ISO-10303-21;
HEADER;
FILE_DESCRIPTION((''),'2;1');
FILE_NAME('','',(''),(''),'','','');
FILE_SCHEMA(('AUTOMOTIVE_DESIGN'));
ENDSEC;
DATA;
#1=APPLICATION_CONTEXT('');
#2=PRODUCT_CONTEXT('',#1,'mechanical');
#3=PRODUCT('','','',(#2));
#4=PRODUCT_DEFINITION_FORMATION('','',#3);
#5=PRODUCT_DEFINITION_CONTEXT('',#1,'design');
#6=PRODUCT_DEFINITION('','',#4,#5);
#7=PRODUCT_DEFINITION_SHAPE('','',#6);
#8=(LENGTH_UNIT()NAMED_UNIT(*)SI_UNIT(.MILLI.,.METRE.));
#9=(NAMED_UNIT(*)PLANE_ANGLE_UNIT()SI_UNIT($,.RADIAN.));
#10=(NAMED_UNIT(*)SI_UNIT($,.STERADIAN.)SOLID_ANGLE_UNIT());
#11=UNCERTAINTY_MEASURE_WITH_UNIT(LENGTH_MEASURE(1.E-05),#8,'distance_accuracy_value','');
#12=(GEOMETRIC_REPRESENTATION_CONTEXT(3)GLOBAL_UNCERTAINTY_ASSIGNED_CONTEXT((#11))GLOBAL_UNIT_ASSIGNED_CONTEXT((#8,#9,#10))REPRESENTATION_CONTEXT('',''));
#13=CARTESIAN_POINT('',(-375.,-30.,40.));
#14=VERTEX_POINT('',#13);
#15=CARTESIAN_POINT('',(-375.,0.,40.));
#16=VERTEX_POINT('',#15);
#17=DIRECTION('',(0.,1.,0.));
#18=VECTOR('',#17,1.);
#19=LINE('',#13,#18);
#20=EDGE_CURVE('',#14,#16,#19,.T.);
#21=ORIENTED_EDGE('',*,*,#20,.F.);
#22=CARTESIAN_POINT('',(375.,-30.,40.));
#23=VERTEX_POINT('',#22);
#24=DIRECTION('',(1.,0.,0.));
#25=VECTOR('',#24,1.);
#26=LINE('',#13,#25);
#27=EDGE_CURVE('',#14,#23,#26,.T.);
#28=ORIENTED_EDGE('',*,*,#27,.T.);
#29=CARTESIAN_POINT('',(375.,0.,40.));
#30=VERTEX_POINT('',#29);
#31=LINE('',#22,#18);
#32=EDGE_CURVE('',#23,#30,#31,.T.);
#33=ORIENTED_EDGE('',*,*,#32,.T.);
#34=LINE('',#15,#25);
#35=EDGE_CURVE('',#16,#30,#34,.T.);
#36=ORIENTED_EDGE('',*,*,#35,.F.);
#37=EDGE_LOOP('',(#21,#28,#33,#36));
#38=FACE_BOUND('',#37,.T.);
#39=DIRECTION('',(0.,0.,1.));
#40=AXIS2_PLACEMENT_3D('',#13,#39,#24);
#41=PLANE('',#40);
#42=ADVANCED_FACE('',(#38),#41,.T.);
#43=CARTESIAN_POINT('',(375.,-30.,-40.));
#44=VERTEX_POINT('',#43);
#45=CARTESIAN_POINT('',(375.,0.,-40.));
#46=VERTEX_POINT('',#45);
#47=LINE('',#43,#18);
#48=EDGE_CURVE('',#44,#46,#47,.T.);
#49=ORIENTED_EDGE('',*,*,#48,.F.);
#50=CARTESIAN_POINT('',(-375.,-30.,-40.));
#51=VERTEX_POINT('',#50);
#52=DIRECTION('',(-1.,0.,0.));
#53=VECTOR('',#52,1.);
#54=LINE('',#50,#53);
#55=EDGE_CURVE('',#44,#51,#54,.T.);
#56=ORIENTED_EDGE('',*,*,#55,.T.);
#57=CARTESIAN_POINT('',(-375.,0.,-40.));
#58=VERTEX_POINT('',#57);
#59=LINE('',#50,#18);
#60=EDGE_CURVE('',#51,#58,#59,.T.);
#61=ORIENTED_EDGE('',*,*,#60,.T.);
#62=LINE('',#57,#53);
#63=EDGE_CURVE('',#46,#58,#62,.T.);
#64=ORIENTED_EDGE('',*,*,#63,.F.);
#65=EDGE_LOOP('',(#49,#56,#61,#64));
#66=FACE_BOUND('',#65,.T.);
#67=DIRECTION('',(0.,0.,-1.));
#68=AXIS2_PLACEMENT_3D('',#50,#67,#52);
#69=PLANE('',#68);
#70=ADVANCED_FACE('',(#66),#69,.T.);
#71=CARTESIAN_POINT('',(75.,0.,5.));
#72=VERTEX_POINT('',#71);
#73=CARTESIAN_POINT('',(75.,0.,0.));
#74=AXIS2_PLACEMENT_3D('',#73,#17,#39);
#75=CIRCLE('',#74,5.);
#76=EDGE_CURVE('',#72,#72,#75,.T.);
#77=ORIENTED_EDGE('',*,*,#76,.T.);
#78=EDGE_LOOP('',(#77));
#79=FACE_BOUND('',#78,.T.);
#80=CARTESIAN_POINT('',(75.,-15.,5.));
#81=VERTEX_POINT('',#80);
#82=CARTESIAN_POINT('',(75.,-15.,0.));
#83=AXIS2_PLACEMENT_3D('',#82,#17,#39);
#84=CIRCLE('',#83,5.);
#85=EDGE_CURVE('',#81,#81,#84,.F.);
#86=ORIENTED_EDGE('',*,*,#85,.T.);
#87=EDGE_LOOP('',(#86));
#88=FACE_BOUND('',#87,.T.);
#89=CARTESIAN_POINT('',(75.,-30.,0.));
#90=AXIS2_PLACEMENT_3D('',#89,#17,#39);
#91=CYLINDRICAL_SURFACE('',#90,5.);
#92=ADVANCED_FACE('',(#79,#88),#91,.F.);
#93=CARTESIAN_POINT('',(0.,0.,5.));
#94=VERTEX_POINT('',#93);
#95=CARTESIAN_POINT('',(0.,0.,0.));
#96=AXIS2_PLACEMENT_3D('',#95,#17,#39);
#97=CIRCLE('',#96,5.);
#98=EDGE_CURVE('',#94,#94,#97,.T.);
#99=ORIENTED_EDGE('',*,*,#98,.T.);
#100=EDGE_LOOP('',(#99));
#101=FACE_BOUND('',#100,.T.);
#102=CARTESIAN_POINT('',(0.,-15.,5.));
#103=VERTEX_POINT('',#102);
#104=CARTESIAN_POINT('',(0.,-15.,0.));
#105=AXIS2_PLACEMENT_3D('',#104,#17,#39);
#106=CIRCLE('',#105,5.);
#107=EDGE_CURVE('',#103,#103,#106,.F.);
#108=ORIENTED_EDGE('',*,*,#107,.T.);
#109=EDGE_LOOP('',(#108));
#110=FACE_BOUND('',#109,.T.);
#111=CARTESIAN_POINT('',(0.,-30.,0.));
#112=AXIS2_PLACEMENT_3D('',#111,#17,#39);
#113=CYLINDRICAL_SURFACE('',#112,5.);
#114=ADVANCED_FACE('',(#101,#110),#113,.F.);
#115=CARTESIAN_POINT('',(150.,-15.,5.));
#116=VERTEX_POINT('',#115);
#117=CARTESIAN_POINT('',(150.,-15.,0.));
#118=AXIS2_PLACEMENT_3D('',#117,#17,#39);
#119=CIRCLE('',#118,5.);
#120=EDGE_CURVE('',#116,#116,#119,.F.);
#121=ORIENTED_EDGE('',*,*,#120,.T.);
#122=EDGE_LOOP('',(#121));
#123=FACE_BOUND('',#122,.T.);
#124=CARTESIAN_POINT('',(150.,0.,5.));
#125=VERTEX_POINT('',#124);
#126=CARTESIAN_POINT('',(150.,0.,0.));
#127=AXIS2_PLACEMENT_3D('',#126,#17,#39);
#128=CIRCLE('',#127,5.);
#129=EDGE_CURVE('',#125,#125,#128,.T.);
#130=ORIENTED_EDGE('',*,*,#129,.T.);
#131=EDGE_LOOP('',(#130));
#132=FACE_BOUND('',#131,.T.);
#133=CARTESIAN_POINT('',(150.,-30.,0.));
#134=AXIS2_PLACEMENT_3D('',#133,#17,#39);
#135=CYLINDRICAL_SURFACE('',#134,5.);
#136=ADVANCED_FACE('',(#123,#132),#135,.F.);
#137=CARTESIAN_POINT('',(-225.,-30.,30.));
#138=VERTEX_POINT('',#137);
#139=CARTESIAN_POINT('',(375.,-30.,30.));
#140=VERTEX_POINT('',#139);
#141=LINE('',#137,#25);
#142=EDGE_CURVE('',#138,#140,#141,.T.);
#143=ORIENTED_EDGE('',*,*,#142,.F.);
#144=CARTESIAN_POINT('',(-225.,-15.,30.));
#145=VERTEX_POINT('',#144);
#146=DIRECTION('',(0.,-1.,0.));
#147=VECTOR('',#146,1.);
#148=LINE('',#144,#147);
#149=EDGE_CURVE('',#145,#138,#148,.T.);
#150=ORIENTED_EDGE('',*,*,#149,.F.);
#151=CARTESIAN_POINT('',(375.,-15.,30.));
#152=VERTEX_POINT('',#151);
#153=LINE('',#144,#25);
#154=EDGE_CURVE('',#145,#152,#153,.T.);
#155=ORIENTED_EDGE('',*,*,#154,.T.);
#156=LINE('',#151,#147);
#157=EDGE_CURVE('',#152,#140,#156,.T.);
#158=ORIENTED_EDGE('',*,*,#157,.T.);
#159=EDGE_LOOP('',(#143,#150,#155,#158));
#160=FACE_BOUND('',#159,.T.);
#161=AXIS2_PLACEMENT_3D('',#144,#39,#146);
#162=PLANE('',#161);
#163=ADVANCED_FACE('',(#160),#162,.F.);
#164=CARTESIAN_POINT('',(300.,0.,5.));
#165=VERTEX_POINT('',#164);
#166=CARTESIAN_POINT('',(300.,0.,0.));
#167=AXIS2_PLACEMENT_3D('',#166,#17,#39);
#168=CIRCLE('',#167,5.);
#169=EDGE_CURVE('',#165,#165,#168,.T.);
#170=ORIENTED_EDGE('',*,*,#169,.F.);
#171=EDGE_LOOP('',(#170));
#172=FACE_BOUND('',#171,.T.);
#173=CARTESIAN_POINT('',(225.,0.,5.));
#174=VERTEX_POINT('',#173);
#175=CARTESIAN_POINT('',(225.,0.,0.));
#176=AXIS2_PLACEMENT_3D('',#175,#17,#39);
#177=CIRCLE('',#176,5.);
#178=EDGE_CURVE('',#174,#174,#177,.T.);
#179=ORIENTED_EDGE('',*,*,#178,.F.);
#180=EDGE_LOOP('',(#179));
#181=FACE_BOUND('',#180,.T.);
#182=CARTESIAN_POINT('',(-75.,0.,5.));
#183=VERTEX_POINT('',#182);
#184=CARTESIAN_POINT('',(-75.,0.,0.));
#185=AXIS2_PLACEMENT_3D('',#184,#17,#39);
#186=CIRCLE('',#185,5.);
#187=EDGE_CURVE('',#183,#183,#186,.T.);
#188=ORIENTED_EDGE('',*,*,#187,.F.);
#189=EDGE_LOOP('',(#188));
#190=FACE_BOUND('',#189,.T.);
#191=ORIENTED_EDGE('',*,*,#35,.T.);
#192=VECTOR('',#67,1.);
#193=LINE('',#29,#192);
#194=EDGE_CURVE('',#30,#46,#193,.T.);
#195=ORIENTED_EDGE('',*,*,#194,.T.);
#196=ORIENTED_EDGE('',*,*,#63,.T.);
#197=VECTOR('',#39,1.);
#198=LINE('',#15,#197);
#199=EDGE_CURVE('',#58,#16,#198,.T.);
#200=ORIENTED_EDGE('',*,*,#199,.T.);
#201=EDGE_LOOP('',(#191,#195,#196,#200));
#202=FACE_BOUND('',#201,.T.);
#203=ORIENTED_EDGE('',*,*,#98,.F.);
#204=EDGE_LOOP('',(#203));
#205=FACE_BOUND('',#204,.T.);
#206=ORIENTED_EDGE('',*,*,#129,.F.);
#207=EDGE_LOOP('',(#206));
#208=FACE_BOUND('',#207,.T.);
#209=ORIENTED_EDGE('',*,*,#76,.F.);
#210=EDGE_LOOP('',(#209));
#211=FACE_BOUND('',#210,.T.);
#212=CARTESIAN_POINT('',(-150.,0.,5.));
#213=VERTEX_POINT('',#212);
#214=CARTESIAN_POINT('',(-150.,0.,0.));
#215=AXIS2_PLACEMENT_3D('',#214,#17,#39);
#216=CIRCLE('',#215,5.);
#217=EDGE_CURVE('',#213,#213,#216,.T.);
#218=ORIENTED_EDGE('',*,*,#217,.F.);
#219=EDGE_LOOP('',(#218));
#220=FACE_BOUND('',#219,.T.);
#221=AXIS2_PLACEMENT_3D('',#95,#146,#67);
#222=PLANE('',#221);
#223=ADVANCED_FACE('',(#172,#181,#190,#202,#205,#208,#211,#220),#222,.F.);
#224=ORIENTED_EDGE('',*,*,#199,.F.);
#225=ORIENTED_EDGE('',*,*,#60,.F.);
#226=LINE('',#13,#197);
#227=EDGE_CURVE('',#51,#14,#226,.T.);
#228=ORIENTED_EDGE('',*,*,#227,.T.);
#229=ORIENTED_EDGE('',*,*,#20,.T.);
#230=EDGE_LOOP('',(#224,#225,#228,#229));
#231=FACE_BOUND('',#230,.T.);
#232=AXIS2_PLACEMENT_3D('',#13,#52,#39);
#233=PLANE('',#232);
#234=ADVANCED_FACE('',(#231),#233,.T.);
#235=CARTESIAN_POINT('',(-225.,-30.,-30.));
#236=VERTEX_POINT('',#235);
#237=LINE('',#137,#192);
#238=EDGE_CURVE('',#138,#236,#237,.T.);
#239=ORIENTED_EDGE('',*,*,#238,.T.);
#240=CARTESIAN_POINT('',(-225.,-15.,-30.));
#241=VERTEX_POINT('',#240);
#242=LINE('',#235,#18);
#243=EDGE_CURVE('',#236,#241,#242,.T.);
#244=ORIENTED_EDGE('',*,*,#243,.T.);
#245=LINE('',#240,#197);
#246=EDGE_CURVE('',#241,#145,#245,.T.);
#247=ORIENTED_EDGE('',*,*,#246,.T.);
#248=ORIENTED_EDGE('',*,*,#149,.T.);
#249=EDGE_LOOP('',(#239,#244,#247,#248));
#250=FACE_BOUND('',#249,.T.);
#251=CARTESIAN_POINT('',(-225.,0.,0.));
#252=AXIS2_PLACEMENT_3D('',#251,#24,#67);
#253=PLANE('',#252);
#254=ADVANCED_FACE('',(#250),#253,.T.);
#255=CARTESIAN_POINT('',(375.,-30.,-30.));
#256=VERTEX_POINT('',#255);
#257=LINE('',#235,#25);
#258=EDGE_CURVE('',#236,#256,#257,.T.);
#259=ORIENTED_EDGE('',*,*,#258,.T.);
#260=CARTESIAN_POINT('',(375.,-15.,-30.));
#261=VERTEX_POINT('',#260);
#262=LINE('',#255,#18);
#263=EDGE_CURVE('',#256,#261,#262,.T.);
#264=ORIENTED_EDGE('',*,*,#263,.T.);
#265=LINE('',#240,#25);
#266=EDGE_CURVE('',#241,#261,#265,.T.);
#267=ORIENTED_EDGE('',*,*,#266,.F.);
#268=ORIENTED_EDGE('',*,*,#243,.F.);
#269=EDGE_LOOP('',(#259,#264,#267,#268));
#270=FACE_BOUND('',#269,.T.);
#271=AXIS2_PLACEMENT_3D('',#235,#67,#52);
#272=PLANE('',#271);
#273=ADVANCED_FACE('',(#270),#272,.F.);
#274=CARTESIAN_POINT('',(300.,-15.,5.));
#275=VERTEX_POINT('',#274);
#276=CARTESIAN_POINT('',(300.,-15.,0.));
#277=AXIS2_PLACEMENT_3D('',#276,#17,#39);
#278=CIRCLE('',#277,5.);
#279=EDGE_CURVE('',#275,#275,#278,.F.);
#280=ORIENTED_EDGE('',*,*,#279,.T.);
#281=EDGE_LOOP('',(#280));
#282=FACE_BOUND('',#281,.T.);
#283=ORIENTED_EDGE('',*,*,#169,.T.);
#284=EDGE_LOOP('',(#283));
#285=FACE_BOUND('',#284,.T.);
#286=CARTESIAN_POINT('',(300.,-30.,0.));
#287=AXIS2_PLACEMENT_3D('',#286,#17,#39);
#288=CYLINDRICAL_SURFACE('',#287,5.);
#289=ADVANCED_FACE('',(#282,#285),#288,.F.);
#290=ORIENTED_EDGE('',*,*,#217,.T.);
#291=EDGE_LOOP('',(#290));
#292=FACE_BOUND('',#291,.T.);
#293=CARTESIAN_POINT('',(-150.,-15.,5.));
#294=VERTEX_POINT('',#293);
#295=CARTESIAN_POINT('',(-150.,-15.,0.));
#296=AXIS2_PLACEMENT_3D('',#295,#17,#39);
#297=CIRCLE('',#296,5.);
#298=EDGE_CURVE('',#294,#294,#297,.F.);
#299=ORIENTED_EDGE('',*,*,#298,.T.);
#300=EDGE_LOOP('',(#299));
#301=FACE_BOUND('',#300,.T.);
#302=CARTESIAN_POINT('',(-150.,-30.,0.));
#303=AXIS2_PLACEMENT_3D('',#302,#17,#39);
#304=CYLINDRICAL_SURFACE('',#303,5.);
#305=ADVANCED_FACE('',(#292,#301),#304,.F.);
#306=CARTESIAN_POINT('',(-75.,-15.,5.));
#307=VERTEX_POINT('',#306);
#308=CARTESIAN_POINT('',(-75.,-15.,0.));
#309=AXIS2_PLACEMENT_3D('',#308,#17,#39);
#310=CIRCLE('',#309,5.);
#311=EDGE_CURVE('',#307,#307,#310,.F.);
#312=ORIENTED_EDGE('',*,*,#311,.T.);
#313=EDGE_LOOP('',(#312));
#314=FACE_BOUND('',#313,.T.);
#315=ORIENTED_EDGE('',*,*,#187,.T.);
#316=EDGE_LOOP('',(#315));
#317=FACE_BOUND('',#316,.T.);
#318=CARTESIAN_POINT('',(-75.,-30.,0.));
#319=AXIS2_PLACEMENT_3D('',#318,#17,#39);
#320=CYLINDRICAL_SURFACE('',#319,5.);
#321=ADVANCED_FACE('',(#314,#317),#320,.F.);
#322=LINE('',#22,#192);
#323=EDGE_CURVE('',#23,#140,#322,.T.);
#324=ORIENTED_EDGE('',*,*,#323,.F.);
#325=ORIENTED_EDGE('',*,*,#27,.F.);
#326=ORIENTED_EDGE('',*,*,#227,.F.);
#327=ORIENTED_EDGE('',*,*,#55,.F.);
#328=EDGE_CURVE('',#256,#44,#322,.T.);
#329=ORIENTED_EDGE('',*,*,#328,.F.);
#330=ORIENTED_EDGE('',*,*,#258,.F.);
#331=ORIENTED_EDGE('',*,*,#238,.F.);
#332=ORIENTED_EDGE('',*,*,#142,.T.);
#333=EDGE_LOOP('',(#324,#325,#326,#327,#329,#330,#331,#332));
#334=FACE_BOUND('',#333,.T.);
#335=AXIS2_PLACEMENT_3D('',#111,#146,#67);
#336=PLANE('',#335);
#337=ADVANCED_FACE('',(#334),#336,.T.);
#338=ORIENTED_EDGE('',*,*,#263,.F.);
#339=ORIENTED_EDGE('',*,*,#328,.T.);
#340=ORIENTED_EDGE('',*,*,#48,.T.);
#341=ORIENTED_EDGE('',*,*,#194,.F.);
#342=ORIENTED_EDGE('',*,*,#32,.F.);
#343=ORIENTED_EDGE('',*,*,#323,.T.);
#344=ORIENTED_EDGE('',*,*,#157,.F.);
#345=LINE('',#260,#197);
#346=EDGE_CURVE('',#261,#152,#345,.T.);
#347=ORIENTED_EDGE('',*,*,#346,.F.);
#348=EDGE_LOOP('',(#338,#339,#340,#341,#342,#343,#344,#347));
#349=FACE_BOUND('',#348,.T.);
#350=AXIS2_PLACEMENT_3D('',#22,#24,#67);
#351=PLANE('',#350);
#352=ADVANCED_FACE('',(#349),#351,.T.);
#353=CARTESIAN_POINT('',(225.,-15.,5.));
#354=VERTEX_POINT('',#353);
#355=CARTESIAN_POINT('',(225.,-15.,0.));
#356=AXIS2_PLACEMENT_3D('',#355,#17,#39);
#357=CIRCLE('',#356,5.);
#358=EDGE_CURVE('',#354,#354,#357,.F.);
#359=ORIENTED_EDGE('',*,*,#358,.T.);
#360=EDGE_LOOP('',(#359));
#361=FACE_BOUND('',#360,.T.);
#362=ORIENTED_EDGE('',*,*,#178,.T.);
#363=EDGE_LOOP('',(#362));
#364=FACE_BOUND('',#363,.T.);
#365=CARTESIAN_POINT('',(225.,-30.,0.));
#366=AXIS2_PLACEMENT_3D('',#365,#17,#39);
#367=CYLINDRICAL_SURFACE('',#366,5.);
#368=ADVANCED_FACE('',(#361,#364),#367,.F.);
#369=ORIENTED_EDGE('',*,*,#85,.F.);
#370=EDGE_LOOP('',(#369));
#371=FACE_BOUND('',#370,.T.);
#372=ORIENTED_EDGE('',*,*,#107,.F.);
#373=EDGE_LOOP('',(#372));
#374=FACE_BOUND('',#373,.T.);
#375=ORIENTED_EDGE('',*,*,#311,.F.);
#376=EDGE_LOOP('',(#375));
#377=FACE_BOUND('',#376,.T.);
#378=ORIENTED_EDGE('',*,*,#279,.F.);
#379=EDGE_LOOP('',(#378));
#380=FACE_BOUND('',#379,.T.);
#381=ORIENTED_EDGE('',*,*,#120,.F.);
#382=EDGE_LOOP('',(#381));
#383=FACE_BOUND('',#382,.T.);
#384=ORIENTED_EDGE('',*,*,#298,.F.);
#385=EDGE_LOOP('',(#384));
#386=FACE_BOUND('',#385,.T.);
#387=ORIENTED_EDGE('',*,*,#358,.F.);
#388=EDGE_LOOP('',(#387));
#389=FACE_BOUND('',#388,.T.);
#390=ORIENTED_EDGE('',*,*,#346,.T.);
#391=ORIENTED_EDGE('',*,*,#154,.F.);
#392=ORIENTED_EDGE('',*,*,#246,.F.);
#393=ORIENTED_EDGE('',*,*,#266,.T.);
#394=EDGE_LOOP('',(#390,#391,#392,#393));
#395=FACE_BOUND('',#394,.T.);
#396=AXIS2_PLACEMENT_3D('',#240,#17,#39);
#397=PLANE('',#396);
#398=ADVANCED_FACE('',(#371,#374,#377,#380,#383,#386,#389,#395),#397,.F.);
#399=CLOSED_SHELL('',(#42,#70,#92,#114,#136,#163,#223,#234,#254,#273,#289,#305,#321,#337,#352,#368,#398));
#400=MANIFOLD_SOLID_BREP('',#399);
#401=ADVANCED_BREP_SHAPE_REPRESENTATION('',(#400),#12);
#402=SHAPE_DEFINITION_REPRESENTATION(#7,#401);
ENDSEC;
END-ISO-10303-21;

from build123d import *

# Parameters (mm, degrees)
IZIM2_W                     = 750
IZIM2_H                     = 80
IZIM2_R                     = 5
Y_KSEKLIK_EKSTR_ZYON1_DEPTH = 30
IZIM3_W                     = 60
IZIM3_H                     = 15
KES_EKSTR_ZYON1_DEPTH       = 600


with BuildPart() as part:
    # Çizim2 → Yükseklik-Ekstrüzyon1 (new body)
    with BuildSketch(Plane(origin=(0, 0, 0), x_dir=(1, 0, 0), z_dir=(0, 1, 0))):
        Rectangle(IZIM2_W, IZIM2_H)
        with Locations((300, 0)):
            Circle(IZIM2_R, mode=Mode.SUBTRACT)
        with Locations((225, 0)):
            Circle(IZIM2_R, mode=Mode.SUBTRACT)
        with Locations((150, 0)):
            Circle(IZIM2_R, mode=Mode.SUBTRACT)
        with Locations((75, 0)):
            Circle(IZIM2_R, mode=Mode.SUBTRACT)
        Circle(IZIM2_R, mode=Mode.SUBTRACT)
        with Locations((-75, 0)):
            Circle(IZIM2_R, mode=Mode.SUBTRACT)
        with Locations((-150, 0)):
            Circle(IZIM2_R, mode=Mode.SUBTRACT)
    extrude(amount=-Y_KSEKLIK_EKSTR_ZYON1_DEPTH)

    # Çizim3 → Kes-Ekstrüzyon1 (cut)
    with BuildSketch(Plane(origin=(375, 0, 0), x_dir=(0, 0, -1), z_dir=(1, 0, 0))):
        with Locations((0, -22.5)):
            Rectangle(IZIM3_W, IZIM3_H)
    extrude(amount=-KES_EKSTR_ZYON1_DEPTH, mode=Mode.SUBTRACT)


solid = part.part
